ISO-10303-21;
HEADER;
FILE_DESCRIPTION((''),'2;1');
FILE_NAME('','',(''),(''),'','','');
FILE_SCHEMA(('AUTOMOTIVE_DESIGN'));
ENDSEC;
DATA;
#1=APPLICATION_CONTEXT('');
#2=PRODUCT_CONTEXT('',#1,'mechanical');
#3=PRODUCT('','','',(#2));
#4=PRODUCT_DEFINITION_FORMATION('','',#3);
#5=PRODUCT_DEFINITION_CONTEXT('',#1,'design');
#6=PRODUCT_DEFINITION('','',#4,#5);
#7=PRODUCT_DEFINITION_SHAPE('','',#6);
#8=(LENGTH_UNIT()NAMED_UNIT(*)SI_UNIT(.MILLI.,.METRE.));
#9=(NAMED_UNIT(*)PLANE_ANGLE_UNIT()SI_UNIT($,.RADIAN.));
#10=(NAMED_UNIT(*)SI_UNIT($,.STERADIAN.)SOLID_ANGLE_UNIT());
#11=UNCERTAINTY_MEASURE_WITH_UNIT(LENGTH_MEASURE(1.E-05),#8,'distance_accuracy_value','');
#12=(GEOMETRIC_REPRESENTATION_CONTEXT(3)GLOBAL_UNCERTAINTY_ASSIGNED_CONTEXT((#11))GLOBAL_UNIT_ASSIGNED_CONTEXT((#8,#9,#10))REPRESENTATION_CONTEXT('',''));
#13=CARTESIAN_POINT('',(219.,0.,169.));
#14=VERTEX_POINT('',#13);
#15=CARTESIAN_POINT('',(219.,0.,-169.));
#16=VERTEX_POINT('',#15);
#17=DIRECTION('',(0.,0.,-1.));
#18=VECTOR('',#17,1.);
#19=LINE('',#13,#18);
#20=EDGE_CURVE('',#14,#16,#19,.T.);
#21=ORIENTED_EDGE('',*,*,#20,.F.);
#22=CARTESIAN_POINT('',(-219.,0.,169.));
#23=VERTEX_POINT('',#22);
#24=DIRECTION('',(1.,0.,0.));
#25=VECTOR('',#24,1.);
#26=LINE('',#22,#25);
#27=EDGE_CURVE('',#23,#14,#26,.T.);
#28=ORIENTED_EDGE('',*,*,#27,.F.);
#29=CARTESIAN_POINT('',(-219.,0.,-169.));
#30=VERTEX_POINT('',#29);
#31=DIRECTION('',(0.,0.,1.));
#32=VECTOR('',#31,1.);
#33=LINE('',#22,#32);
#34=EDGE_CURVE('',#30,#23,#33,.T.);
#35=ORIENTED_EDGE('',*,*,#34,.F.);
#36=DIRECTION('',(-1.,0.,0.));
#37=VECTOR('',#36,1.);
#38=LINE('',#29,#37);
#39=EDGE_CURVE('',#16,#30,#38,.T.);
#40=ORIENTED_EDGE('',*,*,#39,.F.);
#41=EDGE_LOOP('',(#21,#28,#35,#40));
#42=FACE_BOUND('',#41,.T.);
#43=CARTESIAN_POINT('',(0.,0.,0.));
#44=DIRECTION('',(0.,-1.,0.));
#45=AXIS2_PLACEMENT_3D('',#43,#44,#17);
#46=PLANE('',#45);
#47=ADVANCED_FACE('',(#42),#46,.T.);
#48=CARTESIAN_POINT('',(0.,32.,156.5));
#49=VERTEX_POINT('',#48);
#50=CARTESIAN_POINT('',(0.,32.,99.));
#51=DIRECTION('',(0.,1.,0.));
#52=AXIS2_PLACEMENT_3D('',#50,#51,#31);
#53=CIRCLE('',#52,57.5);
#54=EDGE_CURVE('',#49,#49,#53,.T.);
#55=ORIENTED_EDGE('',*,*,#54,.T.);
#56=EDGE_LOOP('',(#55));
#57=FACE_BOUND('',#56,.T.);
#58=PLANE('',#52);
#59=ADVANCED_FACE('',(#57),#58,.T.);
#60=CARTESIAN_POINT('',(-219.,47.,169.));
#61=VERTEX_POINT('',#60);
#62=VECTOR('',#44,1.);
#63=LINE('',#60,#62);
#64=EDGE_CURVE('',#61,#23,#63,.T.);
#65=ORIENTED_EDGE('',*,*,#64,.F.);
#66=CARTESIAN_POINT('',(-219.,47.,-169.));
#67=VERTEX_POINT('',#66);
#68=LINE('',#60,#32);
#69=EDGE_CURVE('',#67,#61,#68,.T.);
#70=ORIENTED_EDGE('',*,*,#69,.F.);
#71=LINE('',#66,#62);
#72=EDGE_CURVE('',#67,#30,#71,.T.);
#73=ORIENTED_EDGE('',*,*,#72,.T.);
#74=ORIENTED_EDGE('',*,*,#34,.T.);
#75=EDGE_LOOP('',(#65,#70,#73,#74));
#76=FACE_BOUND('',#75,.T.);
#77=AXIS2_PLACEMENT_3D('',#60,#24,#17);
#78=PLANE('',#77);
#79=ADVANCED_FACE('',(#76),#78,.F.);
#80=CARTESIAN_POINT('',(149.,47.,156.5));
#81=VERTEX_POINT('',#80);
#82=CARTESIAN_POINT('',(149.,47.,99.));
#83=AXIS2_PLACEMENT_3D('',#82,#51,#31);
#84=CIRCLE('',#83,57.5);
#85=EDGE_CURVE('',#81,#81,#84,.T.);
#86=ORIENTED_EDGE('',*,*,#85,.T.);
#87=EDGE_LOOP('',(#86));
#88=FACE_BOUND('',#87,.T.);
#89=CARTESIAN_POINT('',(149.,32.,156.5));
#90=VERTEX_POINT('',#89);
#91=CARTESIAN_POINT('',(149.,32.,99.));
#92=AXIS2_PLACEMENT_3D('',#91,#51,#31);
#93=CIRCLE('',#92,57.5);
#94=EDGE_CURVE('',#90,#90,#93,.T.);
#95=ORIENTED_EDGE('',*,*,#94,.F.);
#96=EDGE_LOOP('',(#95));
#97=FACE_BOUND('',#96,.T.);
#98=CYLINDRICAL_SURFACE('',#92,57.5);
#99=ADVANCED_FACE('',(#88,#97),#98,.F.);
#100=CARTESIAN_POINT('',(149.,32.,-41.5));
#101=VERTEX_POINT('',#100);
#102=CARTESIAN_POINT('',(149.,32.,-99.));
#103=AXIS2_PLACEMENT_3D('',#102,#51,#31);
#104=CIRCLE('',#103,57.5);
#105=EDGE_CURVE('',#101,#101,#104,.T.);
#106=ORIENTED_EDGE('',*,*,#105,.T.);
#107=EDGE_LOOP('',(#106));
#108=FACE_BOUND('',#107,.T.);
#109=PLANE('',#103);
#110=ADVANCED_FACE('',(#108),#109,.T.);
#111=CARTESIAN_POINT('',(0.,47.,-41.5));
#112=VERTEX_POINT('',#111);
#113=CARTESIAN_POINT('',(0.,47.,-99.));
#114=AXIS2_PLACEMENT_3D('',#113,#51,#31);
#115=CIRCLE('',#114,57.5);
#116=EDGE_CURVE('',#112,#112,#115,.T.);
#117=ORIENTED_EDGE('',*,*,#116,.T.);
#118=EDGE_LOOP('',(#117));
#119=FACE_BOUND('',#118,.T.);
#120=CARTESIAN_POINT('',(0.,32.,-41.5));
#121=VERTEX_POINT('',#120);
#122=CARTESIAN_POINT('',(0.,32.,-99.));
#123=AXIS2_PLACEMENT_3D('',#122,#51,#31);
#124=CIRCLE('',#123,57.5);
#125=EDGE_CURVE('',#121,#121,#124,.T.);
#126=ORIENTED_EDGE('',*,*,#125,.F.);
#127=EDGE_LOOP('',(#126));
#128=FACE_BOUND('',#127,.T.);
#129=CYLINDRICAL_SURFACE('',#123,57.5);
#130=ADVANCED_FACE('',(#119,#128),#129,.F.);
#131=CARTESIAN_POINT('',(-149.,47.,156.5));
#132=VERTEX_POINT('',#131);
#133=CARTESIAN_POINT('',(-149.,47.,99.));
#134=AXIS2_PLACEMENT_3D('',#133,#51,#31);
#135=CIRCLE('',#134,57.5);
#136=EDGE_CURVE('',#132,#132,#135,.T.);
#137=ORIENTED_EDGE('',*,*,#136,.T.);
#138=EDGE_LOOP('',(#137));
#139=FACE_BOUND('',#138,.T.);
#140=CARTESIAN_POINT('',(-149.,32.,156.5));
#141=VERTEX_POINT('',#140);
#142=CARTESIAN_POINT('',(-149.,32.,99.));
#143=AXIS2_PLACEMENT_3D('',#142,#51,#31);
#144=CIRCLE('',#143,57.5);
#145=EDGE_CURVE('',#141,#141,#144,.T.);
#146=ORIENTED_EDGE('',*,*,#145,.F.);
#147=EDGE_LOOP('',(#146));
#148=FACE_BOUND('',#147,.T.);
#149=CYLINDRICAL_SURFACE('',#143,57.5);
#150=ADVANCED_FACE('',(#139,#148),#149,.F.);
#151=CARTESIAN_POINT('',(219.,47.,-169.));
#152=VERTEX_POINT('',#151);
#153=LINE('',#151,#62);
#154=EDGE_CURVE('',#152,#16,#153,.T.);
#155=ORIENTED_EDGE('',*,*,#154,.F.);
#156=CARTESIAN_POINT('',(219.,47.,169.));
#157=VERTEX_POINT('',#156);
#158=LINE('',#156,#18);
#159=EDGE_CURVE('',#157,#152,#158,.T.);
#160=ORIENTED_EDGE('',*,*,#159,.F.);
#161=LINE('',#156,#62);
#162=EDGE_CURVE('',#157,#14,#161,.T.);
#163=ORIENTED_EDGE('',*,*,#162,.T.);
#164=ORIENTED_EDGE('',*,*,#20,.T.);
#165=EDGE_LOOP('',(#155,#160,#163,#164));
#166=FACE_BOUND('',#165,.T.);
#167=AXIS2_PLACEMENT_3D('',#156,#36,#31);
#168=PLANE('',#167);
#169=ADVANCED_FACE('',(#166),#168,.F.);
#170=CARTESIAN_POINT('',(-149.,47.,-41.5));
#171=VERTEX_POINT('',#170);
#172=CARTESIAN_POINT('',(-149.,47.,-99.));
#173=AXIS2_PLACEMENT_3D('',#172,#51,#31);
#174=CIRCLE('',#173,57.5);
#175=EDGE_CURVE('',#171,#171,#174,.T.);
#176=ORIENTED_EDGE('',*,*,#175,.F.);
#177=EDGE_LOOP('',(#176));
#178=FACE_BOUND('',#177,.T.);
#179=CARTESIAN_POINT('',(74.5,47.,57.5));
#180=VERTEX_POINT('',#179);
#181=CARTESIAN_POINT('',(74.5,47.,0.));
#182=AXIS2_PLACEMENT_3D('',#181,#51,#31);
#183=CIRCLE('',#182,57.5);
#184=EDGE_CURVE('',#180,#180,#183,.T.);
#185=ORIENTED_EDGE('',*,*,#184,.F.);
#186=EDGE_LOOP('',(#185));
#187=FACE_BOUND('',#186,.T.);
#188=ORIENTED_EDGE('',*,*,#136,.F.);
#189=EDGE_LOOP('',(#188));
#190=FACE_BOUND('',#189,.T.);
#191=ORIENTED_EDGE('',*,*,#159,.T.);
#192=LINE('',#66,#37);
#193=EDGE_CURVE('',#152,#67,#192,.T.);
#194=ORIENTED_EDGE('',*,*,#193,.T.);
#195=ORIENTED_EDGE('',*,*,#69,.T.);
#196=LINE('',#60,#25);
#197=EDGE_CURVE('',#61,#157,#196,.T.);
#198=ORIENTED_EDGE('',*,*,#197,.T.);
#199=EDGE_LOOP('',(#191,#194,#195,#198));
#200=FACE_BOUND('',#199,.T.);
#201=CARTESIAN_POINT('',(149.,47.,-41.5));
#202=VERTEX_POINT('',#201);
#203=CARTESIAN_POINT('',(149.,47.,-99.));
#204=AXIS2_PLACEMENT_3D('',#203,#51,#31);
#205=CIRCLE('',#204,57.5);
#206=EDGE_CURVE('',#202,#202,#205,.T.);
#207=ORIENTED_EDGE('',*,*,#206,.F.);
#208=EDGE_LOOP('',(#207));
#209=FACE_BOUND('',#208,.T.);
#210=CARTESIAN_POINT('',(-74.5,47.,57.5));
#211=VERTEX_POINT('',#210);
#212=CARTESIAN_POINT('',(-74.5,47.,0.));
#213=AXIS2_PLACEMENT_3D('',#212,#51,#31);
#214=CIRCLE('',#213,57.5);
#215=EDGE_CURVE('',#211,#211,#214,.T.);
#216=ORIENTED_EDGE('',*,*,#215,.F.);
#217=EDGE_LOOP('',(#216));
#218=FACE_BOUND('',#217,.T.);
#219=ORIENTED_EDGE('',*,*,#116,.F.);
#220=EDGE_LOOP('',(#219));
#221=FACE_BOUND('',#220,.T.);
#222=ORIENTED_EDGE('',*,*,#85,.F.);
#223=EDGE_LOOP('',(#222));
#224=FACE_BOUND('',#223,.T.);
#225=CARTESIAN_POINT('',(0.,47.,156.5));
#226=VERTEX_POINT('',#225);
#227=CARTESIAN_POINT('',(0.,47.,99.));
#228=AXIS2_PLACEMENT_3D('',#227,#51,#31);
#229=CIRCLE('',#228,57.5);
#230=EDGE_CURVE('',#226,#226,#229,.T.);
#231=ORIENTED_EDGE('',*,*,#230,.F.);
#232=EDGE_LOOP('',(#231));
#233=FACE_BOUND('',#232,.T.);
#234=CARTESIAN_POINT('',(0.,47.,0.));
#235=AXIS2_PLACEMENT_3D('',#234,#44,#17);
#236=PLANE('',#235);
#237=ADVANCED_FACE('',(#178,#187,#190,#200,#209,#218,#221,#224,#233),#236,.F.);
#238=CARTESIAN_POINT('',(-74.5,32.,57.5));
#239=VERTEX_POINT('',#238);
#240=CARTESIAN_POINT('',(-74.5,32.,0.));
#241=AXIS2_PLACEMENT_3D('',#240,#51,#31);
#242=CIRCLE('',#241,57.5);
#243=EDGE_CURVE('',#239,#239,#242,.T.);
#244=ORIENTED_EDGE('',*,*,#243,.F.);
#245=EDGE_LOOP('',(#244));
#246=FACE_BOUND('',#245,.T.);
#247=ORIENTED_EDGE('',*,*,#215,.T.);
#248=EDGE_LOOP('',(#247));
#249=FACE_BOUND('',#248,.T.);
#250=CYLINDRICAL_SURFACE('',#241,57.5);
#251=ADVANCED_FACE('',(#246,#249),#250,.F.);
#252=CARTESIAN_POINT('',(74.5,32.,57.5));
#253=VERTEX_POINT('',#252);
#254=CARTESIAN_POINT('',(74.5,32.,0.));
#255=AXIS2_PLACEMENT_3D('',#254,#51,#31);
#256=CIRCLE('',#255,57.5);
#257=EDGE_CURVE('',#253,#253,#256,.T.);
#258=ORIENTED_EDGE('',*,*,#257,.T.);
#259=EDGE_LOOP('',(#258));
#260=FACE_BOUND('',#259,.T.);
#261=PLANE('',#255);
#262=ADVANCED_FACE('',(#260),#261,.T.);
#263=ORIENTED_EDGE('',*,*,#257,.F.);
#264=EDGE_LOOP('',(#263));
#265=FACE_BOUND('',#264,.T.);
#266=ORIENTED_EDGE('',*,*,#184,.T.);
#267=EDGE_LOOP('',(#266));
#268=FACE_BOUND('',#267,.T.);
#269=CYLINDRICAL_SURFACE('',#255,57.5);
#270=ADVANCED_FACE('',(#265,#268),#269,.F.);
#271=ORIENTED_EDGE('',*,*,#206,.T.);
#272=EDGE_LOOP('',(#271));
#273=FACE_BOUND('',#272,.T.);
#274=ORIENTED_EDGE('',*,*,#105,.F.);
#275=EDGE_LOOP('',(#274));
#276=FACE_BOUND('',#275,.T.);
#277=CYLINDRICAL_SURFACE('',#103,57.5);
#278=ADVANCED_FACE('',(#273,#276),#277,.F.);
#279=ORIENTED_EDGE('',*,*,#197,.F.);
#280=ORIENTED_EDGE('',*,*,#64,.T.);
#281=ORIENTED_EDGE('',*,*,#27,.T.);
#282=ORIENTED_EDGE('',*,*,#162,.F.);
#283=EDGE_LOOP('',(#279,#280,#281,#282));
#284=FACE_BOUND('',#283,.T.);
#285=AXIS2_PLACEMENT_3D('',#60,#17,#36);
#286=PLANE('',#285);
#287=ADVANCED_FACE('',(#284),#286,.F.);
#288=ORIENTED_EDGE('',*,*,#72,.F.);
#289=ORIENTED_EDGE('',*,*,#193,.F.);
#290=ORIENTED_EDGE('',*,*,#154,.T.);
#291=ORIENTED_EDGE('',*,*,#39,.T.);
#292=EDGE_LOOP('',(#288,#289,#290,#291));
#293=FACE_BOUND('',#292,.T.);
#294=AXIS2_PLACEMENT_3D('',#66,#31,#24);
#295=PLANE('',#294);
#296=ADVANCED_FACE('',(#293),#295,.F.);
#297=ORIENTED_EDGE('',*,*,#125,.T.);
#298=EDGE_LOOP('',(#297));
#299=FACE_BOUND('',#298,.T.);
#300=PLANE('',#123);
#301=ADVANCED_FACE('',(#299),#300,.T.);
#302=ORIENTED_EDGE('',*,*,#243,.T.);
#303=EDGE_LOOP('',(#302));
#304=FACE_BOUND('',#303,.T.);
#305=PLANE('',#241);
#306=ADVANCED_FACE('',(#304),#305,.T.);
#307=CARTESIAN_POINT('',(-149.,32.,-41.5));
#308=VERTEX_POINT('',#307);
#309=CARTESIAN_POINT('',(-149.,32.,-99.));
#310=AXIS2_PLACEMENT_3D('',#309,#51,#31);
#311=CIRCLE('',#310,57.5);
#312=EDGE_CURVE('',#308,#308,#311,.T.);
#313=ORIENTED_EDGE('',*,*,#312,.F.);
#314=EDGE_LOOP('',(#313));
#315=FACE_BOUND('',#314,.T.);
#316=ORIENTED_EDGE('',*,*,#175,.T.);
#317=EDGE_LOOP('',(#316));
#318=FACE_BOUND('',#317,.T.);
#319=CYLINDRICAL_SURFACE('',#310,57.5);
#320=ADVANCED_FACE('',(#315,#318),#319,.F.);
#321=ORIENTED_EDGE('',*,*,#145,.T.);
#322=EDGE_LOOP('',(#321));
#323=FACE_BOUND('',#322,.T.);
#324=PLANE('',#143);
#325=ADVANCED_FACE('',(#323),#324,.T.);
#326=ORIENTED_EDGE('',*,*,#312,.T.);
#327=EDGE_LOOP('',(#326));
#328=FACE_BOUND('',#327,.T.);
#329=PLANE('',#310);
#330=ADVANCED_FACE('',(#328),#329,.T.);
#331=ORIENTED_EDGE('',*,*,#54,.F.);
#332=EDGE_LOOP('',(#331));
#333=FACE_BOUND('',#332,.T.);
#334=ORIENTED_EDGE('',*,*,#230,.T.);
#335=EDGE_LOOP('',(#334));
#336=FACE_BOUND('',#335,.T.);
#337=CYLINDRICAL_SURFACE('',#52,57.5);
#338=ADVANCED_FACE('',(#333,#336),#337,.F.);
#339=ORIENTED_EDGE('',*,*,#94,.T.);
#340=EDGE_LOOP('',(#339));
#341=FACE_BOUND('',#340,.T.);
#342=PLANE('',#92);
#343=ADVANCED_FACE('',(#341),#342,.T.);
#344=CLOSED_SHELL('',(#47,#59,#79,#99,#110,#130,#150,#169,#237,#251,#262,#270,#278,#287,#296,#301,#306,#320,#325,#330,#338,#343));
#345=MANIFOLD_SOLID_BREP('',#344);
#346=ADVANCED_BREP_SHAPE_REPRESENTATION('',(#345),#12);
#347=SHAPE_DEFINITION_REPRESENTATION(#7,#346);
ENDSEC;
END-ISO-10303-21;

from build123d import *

# Parameters (mm, degrees)
SKETCH_1_W          = 438
SKETCH_1_H          = 338
EXTRUDE_1_DEPTH     = 47
SKETCH_4_R          = 57.5
CUT_EXTRUDE_2_DEPTH = 15


with BuildPart() as part:
    # Эскиз1 → Бобышка-Вытянуть1 (new body)
    with BuildSketch(Plane(origin=(0, 0, 0), x_dir=(1, 0, 0), z_dir=(0, 1, 0))):
        Rectangle(SKETCH_1_W, SKETCH_1_H)
    extrude(amount=EXTRUDE_1_DEPTH)

    # Эскиз4 → Вырез-Вытянуть2 (cut)
    with BuildSketch(Plane(origin=(0, 47, 0), x_dir=(1, 0, 0), z_dir=(0, 1, 0))):
        with Locations(Location((-149, 99, 0), (0, 0, 270))):
            Circle(SKETCH_4_R)
        with Locations(Location((0, 99, 0), (0, 0, 270))):
            Circle(SKETCH_4_R)
        with Locations(Location((0, -99, 0), (0, 0, 270))):
            Circle(SKETCH_4_R)
        with Locations(Location((-149, -99, 0), (0, 0, 270))):
            Circle(SKETCH_4_R)
        with Locations(Location((-74.5, 0, 0), (0, 0, 270))):
            Circle(SKETCH_4_R)
        with Locations(Location((149, 99, 0), (0, 0, 270))):
            Circle(SKETCH_4_R)
        with Locations(Location((149, -99, 0), (0, 0, 270))):
            Circle(SKETCH_4_R)
        with Locations(Location((74.5, 0, 0), (0, 0, 270))):
            Circle(SKETCH_4_R)
    extrude(amount=-CUT_EXTRUDE_2_DEPTH, mode=Mode.SUBTRACT)


solid = part.part
